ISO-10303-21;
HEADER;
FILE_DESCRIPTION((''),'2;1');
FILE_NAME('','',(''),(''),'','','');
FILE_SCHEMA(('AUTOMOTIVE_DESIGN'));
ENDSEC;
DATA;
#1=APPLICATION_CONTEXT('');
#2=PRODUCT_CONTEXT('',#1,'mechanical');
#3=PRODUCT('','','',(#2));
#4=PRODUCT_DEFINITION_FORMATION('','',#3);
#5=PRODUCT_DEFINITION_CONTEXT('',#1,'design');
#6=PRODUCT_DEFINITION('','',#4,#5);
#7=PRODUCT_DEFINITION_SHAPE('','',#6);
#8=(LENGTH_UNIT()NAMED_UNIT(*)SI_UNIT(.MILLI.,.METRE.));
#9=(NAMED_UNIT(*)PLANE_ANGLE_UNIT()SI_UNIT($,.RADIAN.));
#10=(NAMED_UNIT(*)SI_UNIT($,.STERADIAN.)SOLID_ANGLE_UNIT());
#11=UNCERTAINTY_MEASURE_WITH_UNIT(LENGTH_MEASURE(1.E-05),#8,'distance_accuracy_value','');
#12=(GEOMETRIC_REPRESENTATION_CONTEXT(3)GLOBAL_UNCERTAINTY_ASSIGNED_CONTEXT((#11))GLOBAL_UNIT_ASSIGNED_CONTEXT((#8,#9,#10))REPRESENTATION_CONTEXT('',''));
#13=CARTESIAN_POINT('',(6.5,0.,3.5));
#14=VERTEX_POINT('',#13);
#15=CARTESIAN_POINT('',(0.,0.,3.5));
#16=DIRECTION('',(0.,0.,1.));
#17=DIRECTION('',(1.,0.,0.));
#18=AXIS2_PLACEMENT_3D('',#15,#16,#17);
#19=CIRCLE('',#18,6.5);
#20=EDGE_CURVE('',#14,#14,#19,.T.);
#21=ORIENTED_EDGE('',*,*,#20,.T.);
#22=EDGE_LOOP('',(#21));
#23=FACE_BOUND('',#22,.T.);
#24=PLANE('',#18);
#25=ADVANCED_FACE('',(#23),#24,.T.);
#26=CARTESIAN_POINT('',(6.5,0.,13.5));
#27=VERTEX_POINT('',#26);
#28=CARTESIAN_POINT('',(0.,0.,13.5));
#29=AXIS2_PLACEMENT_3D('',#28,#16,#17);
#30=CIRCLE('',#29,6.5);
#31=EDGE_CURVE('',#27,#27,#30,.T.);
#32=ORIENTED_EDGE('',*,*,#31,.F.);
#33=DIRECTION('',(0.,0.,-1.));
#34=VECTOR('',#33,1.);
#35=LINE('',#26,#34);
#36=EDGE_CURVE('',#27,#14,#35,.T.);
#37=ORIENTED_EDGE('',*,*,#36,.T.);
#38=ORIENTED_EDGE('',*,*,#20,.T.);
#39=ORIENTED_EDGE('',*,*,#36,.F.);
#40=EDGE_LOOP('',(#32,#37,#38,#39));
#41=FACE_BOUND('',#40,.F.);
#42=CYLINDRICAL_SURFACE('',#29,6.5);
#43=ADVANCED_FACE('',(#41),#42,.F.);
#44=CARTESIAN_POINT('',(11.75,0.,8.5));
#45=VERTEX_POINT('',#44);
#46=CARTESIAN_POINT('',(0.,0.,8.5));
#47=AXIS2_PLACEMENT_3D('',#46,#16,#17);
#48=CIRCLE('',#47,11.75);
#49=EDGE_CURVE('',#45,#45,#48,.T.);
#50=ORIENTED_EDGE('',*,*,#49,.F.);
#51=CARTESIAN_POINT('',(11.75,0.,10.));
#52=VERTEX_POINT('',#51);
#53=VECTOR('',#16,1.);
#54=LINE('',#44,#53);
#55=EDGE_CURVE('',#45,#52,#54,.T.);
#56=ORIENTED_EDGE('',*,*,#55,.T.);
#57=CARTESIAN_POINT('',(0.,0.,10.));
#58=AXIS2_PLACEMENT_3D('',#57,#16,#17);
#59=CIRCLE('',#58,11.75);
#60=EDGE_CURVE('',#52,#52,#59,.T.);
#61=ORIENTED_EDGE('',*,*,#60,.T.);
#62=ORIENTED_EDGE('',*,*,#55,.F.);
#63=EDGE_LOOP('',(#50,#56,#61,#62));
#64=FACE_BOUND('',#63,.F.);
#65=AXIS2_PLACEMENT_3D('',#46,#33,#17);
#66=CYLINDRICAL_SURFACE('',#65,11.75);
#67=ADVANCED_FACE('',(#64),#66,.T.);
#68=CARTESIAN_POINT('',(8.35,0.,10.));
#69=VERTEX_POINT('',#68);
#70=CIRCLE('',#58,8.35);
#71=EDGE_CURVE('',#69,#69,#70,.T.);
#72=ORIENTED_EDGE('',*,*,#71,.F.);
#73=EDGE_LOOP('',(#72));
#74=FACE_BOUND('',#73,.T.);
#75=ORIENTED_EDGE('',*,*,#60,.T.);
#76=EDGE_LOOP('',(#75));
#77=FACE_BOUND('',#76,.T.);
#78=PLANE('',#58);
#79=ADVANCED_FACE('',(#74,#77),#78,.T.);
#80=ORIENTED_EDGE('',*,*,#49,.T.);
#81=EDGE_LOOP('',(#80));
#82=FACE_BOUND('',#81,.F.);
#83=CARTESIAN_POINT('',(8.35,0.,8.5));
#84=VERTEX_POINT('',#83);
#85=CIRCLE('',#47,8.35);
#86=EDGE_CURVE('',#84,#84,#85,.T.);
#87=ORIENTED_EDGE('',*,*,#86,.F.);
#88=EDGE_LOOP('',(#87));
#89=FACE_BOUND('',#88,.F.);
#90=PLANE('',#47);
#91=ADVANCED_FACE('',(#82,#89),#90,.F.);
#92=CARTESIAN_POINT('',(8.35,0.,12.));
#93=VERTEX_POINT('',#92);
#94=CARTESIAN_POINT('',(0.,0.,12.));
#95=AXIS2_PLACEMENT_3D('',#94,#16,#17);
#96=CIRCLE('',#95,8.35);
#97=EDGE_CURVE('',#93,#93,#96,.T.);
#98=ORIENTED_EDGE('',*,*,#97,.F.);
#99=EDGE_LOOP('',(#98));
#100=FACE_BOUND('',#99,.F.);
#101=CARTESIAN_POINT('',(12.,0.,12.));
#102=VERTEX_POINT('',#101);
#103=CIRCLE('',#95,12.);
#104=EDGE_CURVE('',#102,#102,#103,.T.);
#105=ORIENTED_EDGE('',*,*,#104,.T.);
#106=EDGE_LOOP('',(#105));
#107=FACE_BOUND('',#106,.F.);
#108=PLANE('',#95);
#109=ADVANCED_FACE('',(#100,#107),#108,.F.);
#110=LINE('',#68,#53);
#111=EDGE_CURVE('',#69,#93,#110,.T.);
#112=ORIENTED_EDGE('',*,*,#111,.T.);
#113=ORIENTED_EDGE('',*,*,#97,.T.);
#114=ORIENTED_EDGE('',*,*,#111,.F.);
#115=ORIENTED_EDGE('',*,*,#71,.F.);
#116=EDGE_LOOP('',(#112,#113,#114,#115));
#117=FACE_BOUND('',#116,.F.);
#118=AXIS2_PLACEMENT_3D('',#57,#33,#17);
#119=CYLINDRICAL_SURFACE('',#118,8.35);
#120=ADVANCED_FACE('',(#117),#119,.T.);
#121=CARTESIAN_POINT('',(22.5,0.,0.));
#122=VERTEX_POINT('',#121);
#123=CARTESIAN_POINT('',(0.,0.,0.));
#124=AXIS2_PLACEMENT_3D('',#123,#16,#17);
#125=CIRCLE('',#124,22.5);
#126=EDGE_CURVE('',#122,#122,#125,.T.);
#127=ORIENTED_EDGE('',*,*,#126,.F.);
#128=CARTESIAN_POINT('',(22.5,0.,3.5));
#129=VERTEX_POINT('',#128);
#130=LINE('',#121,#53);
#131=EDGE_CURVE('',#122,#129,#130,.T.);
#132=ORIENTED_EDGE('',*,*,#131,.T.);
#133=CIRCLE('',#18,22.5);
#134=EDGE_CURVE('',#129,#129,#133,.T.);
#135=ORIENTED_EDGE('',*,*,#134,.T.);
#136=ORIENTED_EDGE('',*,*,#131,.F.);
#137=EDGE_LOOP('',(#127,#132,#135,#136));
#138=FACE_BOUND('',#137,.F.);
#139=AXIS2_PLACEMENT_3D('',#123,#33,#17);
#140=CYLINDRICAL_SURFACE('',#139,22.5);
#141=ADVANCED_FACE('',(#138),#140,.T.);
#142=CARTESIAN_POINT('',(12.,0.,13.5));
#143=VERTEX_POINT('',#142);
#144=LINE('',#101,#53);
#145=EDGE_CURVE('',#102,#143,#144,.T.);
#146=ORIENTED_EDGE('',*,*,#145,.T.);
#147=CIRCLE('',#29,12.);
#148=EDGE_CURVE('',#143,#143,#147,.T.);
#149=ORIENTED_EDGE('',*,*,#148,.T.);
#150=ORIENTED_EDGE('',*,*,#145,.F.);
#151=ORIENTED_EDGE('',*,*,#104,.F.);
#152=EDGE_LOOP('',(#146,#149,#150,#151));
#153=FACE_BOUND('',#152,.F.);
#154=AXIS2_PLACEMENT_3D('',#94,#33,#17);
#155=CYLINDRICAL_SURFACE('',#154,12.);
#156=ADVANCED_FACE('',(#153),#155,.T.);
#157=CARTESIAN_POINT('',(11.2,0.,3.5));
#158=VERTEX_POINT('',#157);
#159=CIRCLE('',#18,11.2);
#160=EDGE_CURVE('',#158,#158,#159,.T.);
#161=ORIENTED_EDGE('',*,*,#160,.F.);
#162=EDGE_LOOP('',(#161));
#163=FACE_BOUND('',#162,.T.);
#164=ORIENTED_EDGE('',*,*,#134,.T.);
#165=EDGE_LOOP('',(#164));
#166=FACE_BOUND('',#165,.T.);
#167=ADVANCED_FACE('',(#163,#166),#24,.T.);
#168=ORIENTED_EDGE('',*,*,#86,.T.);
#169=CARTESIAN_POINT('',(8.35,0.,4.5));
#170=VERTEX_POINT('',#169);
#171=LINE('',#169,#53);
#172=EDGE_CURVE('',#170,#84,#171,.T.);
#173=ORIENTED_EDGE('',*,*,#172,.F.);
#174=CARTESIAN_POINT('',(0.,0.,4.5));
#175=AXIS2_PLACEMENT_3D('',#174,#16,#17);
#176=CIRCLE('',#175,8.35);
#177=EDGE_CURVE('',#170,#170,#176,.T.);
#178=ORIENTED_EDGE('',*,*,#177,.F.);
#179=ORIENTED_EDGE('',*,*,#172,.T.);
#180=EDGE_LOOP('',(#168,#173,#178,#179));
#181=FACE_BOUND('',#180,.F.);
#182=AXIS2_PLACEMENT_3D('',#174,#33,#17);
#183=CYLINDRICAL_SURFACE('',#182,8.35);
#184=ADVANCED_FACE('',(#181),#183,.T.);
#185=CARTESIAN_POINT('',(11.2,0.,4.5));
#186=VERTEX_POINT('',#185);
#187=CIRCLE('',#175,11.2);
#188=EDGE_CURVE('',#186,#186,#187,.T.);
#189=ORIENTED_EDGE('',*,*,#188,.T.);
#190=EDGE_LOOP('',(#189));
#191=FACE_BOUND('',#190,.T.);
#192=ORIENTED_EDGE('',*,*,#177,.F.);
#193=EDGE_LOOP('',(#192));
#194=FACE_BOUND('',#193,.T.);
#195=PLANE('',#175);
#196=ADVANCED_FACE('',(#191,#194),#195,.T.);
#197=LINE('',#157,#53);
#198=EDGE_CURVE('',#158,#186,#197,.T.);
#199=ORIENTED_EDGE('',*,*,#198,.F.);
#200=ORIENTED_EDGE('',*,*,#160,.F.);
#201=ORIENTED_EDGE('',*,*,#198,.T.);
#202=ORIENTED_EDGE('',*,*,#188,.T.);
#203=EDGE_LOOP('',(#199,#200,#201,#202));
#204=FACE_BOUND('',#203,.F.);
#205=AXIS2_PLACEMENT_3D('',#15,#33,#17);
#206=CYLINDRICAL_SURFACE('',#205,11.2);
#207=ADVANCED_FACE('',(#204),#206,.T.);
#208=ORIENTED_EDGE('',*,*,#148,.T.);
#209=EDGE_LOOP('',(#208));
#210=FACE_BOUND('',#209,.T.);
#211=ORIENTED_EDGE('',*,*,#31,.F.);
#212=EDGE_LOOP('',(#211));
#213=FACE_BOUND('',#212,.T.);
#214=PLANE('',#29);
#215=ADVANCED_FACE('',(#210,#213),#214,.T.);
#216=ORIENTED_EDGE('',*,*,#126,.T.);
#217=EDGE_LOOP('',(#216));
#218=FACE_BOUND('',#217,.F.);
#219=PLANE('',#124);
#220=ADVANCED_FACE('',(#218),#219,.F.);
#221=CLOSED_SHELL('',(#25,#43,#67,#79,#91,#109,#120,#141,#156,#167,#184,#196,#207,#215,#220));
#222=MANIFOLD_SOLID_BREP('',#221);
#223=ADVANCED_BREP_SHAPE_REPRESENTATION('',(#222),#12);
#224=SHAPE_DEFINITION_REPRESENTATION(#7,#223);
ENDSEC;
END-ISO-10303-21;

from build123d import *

# Parameters (mm, degrees)
F0_R      = 22.5
F1_DEPTH  = 3.5
F2_R      = 11.2
F3_DEPTH  = 1
F4_R      = 8.35
F5_DEPTH  = 4
F6_R      = 11.75
F7_DEPTH  = 1.5
F8_R      = 8.35
F9_DEPTH  = 2
F10_R     = 12
F11_DEPTH = 1.5
F12_R     = 6.5
F13_DEPTH = 10


with BuildPart() as f1:
    # F0 (on Top) → F1 (new body)
    with BuildSketch(Plane.XY):
        Circle(F0_R)
    extrude(amount=F1_DEPTH)

    # F2 (on face) → F3 (join)
    with BuildSketch(Plane.XY.offset(3.5)):
        Circle(F2_R)
    extrude(amount=F3_DEPTH)

    # F4 (on face) → F5 (join)
    with BuildSketch(Plane.XY.offset(4.5)):
        Circle(F4_R)
    extrude(amount=F5_DEPTH)

    # F6 (on face) → F7 (join)
    with BuildSketch(Plane.XY.offset(8.5)):
        Circle(F6_R)
    extrude(amount=F7_DEPTH)

    # F8 (on face) → F9 (join)
    with BuildSketch(Plane.XY.offset(10)):
        Circle(F8_R)
    extrude(amount=F9_DEPTH)

    # F10 (on face) → F11 (join)
    with BuildSketch(Plane.XY.offset(12)):
        Circle(F10_R)
    extrude(amount=F11_DEPTH)

    # F12 (on face) → F13 (cut, through all)
    with BuildSketch(Plane.XY.offset(13.5)):
        Circle(F12_R)
    extrude(amount=-F13_DEPTH, mode=Mode.SUBTRACT)


solid = f1.part
